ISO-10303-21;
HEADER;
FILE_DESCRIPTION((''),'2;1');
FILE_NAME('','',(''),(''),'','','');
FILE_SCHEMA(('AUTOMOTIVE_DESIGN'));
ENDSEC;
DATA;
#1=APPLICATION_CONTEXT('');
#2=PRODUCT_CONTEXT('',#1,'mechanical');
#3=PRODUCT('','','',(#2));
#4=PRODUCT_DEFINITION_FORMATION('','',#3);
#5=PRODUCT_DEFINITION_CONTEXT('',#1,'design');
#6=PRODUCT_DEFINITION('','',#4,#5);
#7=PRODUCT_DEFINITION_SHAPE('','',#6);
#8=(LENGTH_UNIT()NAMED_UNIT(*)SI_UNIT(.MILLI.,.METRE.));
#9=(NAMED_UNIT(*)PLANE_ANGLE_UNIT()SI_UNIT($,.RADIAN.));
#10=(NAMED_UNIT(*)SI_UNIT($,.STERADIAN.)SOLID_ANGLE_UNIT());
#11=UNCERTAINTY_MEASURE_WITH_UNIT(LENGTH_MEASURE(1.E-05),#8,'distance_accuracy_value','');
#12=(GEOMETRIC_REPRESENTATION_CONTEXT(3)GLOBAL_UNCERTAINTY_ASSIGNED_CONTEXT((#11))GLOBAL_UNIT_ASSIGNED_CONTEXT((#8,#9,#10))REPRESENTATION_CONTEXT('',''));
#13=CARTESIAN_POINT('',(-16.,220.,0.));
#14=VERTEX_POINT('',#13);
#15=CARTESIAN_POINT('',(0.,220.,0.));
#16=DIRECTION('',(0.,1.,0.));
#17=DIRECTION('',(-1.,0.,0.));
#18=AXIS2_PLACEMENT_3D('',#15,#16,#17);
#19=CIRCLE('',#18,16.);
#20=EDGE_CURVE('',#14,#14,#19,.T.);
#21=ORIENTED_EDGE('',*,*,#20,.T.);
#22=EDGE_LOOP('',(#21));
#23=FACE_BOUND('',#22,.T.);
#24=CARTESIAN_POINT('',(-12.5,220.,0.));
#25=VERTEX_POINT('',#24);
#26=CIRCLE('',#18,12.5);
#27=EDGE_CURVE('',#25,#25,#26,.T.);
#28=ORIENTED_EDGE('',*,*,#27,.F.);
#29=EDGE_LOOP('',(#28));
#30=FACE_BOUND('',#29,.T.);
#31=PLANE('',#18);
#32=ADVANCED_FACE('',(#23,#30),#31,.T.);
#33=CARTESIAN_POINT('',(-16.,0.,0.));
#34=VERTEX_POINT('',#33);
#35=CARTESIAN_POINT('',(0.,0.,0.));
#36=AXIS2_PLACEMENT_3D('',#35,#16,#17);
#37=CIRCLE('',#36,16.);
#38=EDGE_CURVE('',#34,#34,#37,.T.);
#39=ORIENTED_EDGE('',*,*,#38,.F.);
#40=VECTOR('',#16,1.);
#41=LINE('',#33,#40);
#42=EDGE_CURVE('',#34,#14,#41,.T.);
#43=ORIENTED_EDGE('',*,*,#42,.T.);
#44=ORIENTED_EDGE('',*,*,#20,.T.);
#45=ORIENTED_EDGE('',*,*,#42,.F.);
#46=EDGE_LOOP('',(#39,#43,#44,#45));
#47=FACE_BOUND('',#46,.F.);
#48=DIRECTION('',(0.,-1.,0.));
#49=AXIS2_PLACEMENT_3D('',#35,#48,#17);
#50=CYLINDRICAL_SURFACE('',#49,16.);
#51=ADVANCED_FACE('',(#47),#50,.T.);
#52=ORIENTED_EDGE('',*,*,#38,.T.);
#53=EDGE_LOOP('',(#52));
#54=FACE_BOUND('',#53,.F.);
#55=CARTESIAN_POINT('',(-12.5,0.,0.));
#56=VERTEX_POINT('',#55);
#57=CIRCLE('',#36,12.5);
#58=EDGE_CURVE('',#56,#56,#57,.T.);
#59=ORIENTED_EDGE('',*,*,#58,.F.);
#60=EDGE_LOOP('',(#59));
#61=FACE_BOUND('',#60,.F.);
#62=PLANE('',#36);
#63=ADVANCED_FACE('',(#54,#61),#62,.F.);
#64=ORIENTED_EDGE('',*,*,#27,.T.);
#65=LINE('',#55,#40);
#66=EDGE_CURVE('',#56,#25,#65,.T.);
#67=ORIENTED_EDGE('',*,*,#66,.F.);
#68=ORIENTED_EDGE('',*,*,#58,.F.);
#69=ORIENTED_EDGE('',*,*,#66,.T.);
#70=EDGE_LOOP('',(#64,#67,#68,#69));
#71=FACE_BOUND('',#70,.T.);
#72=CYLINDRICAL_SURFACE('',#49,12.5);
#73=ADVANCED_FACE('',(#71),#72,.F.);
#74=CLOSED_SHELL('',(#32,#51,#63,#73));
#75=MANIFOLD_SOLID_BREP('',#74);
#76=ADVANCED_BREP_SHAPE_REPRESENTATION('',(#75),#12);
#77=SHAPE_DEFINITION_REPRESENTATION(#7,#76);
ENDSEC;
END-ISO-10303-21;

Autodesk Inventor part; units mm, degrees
ref_plane "YZ Plane" through (0, 0, 0) normal (1, 0, 0) x (0, 1, 0)
ref_plane "XZ Plane" through (0, 0, 0) normal (0, 1, 0) x (-1, 0, 0)
ref_plane "XY Plane" through (0, 0, 0) normal (0, 0, 1) x (1, 0, 0)
sketch "Sketch1" plane through (0, 0, 0) normal (0, 1, 0) x (-1, 0, 0)
  circle A0 centre (0, 0) radius 16
  circle A1 centre (0, 0) radius 12.5
  dimension "d0" = 32
  dimension "d1" = 25
extrude "Extrusion1" add sketch "Sketch1" along normal blind 220
properties part number "Tubo_Vertical_Soporte_Balancin"
